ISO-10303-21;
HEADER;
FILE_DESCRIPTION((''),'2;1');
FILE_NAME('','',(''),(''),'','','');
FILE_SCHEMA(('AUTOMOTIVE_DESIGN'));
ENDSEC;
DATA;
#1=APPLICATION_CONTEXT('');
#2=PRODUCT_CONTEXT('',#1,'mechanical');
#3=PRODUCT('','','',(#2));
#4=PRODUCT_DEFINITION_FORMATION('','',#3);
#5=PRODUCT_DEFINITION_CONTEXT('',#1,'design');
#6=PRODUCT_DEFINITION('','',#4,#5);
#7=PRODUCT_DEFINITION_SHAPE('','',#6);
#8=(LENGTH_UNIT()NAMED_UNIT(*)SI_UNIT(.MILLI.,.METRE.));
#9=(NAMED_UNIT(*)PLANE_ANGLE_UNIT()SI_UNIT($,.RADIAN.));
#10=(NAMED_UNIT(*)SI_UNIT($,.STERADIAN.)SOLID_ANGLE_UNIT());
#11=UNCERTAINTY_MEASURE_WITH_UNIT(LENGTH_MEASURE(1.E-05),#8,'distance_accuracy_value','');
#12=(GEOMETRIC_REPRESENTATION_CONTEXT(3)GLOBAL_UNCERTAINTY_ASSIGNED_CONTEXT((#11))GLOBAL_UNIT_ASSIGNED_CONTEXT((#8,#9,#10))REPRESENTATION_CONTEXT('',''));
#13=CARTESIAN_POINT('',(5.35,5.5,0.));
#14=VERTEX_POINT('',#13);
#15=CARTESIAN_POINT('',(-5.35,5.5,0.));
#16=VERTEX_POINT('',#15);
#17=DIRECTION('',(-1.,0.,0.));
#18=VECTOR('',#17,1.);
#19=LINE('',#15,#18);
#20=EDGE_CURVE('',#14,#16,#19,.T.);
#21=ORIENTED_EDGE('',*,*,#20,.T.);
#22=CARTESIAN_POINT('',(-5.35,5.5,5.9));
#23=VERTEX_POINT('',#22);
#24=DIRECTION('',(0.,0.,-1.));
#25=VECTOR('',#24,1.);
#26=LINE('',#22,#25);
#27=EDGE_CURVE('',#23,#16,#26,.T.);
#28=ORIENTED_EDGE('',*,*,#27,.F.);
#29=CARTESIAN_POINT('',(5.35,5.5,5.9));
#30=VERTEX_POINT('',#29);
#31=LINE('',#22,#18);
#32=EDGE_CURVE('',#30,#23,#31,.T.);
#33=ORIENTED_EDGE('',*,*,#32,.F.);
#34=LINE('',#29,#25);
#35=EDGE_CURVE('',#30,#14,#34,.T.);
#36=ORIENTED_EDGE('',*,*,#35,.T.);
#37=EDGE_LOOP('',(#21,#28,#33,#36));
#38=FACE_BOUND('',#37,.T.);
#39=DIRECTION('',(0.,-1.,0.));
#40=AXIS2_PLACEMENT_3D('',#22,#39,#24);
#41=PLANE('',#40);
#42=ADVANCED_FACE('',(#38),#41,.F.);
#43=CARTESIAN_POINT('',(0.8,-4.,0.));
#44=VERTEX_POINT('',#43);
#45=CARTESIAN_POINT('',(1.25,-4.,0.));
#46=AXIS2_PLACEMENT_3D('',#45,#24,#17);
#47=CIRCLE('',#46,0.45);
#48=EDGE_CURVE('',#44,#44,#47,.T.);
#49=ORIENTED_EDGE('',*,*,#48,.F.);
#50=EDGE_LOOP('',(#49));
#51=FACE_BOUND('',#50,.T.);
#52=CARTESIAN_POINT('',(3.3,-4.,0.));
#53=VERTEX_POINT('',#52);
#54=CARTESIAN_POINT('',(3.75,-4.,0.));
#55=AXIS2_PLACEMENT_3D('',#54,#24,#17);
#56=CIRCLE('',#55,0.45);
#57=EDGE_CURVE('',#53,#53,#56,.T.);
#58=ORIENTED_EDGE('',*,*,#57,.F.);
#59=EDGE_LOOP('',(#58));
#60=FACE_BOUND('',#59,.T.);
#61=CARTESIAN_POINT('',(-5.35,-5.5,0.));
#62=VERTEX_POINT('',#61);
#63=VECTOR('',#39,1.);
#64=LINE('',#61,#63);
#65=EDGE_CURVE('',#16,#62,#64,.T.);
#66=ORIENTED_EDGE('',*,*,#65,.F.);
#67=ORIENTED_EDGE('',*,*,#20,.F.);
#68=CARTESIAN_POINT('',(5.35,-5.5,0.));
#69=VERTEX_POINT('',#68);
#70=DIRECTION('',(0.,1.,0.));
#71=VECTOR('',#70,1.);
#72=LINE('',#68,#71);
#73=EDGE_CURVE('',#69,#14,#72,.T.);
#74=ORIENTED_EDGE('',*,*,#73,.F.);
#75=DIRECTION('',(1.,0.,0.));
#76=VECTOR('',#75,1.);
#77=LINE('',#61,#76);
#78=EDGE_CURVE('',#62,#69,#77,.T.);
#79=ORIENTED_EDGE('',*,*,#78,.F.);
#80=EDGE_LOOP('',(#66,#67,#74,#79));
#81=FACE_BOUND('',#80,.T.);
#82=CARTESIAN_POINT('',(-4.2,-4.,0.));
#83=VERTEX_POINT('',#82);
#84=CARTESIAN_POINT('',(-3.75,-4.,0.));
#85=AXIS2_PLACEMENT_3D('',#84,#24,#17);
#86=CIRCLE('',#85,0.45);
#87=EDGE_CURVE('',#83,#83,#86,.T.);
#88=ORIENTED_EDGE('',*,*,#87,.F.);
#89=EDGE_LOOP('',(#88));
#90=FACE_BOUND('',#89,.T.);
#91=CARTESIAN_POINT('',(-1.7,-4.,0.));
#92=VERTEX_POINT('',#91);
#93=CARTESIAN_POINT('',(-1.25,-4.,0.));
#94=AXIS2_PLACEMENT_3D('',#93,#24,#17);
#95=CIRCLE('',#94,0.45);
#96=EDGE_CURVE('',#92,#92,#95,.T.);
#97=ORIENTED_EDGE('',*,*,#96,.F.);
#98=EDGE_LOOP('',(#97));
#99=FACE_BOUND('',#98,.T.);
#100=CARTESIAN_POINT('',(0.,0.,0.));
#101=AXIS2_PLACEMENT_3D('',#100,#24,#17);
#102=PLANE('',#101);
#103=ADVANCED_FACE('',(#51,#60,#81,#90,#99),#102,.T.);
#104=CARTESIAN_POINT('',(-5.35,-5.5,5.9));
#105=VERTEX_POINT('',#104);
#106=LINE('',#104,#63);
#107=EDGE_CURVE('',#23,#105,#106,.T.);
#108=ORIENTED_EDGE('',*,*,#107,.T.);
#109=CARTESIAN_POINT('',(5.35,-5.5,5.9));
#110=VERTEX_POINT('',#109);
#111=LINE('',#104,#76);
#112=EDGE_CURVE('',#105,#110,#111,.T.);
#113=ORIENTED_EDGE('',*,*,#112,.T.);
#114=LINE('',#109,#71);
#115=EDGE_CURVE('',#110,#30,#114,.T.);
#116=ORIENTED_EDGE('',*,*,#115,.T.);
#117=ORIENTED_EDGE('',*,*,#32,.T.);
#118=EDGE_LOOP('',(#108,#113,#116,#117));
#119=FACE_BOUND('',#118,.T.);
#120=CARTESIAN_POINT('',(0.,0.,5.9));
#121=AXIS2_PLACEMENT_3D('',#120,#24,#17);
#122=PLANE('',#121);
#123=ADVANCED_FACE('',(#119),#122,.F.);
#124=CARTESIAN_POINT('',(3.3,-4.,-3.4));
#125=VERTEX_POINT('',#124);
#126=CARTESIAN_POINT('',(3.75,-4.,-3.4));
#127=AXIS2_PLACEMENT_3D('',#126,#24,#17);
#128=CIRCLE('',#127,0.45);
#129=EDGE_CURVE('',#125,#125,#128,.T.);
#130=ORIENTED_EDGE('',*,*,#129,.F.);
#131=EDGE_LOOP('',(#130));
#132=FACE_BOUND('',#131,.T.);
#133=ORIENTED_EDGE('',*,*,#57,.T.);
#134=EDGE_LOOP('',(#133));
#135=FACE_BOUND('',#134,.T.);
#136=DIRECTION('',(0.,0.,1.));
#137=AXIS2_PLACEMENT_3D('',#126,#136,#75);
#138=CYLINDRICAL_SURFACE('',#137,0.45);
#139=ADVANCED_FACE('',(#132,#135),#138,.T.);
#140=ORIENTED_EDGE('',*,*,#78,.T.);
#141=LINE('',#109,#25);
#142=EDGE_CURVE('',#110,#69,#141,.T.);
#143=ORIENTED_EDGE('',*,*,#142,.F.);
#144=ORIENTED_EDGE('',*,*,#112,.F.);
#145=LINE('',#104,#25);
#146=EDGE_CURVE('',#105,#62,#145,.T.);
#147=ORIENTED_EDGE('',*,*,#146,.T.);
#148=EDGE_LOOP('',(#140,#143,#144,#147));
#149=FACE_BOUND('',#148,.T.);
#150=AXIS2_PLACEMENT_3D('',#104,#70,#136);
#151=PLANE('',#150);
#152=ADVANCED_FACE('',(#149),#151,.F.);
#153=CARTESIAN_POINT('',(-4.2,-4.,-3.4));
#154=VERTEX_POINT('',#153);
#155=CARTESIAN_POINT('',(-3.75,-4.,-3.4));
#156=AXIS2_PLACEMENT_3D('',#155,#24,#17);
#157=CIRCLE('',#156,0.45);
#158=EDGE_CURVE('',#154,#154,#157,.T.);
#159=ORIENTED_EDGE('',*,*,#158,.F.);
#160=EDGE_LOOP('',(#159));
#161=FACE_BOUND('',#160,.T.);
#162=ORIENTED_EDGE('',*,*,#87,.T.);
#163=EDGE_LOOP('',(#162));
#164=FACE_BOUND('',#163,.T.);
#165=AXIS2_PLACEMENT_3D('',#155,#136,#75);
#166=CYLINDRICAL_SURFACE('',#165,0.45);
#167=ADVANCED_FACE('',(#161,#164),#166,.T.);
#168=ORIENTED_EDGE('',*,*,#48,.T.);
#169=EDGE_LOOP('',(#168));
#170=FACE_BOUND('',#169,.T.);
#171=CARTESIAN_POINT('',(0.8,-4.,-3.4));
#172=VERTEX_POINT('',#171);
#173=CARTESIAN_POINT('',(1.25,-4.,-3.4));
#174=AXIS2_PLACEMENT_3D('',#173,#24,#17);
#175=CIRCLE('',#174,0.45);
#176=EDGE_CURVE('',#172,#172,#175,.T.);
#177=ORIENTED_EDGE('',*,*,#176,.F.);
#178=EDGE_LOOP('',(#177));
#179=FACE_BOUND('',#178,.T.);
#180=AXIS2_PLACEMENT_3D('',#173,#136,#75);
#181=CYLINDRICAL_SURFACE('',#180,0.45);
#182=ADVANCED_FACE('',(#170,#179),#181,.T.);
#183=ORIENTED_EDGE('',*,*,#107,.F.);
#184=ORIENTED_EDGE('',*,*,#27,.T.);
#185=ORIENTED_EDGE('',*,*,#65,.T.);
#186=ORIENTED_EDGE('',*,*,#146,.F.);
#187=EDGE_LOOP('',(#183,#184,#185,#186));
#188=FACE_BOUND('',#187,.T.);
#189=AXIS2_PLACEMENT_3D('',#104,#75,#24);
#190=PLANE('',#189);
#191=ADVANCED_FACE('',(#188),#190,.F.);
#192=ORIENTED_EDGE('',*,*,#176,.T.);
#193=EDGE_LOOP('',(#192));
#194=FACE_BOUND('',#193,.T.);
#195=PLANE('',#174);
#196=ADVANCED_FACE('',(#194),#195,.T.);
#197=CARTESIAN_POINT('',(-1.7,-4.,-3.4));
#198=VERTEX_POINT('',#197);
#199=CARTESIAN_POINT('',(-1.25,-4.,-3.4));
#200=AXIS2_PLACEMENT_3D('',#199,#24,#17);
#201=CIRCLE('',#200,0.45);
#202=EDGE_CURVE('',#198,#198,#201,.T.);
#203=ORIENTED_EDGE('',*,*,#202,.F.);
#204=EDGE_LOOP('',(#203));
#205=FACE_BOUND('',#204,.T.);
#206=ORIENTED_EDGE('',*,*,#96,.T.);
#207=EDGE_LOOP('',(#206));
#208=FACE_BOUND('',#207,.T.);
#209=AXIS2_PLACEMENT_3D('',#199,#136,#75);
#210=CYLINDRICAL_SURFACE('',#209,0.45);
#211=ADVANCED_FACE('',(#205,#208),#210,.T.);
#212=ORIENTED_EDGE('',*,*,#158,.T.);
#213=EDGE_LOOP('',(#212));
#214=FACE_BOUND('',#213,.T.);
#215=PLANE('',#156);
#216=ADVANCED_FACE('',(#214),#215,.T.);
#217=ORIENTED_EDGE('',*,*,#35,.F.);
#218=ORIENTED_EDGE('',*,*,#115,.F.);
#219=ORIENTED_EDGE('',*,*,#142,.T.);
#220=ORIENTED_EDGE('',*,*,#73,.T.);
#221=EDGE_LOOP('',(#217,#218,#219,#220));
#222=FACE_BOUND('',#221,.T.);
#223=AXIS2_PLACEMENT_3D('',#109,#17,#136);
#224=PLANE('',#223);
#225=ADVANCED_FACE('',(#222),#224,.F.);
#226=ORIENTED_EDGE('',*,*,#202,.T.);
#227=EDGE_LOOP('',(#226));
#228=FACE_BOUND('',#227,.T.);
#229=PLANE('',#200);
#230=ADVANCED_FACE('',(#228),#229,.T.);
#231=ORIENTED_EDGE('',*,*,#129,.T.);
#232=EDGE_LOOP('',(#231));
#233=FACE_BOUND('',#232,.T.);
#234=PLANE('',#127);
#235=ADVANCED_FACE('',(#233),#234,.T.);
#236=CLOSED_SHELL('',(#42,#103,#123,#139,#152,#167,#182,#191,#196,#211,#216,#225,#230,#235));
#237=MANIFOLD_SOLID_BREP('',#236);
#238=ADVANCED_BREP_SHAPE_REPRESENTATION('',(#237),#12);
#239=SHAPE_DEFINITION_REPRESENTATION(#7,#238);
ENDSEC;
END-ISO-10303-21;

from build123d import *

# Parameters (mm, degrees)
SKETCH1_W           = 10.7
SKETCH1_H           = 11
BOSS_EXTRUDE1_DEPTH = 5.9
SKETCH2_R           = 0.45
BOSS_EXTRUDE2_DEPTH = 3.4


with BuildPart() as part:
    # Sketch1 → Boss-Extrude1 (new body)
    with BuildSketch(Plane.XY):
        Rectangle(SKETCH1_W, SKETCH1_H)
    extrude(amount=BOSS_EXTRUDE1_DEPTH)

    # Sketch2 → Boss-Extrude2 (add)
    with BuildSketch(Plane(origin=(0, 0, 0), x_dir=(-1, 0, 0), z_dir=(0, 0, -1))):
        with Locations((-3.75, -4)):
            Circle(SKETCH2_R)
        with Locations((-1.25, -4)):
            Circle(SKETCH2_R)
        with Locations((1.25, -4)):
            Circle(SKETCH2_R)
        with Locations((3.75, -4)):
            Circle(SKETCH2_R)
    extrude(amount=BOSS_EXTRUDE2_DEPTH)


solid = part.part
